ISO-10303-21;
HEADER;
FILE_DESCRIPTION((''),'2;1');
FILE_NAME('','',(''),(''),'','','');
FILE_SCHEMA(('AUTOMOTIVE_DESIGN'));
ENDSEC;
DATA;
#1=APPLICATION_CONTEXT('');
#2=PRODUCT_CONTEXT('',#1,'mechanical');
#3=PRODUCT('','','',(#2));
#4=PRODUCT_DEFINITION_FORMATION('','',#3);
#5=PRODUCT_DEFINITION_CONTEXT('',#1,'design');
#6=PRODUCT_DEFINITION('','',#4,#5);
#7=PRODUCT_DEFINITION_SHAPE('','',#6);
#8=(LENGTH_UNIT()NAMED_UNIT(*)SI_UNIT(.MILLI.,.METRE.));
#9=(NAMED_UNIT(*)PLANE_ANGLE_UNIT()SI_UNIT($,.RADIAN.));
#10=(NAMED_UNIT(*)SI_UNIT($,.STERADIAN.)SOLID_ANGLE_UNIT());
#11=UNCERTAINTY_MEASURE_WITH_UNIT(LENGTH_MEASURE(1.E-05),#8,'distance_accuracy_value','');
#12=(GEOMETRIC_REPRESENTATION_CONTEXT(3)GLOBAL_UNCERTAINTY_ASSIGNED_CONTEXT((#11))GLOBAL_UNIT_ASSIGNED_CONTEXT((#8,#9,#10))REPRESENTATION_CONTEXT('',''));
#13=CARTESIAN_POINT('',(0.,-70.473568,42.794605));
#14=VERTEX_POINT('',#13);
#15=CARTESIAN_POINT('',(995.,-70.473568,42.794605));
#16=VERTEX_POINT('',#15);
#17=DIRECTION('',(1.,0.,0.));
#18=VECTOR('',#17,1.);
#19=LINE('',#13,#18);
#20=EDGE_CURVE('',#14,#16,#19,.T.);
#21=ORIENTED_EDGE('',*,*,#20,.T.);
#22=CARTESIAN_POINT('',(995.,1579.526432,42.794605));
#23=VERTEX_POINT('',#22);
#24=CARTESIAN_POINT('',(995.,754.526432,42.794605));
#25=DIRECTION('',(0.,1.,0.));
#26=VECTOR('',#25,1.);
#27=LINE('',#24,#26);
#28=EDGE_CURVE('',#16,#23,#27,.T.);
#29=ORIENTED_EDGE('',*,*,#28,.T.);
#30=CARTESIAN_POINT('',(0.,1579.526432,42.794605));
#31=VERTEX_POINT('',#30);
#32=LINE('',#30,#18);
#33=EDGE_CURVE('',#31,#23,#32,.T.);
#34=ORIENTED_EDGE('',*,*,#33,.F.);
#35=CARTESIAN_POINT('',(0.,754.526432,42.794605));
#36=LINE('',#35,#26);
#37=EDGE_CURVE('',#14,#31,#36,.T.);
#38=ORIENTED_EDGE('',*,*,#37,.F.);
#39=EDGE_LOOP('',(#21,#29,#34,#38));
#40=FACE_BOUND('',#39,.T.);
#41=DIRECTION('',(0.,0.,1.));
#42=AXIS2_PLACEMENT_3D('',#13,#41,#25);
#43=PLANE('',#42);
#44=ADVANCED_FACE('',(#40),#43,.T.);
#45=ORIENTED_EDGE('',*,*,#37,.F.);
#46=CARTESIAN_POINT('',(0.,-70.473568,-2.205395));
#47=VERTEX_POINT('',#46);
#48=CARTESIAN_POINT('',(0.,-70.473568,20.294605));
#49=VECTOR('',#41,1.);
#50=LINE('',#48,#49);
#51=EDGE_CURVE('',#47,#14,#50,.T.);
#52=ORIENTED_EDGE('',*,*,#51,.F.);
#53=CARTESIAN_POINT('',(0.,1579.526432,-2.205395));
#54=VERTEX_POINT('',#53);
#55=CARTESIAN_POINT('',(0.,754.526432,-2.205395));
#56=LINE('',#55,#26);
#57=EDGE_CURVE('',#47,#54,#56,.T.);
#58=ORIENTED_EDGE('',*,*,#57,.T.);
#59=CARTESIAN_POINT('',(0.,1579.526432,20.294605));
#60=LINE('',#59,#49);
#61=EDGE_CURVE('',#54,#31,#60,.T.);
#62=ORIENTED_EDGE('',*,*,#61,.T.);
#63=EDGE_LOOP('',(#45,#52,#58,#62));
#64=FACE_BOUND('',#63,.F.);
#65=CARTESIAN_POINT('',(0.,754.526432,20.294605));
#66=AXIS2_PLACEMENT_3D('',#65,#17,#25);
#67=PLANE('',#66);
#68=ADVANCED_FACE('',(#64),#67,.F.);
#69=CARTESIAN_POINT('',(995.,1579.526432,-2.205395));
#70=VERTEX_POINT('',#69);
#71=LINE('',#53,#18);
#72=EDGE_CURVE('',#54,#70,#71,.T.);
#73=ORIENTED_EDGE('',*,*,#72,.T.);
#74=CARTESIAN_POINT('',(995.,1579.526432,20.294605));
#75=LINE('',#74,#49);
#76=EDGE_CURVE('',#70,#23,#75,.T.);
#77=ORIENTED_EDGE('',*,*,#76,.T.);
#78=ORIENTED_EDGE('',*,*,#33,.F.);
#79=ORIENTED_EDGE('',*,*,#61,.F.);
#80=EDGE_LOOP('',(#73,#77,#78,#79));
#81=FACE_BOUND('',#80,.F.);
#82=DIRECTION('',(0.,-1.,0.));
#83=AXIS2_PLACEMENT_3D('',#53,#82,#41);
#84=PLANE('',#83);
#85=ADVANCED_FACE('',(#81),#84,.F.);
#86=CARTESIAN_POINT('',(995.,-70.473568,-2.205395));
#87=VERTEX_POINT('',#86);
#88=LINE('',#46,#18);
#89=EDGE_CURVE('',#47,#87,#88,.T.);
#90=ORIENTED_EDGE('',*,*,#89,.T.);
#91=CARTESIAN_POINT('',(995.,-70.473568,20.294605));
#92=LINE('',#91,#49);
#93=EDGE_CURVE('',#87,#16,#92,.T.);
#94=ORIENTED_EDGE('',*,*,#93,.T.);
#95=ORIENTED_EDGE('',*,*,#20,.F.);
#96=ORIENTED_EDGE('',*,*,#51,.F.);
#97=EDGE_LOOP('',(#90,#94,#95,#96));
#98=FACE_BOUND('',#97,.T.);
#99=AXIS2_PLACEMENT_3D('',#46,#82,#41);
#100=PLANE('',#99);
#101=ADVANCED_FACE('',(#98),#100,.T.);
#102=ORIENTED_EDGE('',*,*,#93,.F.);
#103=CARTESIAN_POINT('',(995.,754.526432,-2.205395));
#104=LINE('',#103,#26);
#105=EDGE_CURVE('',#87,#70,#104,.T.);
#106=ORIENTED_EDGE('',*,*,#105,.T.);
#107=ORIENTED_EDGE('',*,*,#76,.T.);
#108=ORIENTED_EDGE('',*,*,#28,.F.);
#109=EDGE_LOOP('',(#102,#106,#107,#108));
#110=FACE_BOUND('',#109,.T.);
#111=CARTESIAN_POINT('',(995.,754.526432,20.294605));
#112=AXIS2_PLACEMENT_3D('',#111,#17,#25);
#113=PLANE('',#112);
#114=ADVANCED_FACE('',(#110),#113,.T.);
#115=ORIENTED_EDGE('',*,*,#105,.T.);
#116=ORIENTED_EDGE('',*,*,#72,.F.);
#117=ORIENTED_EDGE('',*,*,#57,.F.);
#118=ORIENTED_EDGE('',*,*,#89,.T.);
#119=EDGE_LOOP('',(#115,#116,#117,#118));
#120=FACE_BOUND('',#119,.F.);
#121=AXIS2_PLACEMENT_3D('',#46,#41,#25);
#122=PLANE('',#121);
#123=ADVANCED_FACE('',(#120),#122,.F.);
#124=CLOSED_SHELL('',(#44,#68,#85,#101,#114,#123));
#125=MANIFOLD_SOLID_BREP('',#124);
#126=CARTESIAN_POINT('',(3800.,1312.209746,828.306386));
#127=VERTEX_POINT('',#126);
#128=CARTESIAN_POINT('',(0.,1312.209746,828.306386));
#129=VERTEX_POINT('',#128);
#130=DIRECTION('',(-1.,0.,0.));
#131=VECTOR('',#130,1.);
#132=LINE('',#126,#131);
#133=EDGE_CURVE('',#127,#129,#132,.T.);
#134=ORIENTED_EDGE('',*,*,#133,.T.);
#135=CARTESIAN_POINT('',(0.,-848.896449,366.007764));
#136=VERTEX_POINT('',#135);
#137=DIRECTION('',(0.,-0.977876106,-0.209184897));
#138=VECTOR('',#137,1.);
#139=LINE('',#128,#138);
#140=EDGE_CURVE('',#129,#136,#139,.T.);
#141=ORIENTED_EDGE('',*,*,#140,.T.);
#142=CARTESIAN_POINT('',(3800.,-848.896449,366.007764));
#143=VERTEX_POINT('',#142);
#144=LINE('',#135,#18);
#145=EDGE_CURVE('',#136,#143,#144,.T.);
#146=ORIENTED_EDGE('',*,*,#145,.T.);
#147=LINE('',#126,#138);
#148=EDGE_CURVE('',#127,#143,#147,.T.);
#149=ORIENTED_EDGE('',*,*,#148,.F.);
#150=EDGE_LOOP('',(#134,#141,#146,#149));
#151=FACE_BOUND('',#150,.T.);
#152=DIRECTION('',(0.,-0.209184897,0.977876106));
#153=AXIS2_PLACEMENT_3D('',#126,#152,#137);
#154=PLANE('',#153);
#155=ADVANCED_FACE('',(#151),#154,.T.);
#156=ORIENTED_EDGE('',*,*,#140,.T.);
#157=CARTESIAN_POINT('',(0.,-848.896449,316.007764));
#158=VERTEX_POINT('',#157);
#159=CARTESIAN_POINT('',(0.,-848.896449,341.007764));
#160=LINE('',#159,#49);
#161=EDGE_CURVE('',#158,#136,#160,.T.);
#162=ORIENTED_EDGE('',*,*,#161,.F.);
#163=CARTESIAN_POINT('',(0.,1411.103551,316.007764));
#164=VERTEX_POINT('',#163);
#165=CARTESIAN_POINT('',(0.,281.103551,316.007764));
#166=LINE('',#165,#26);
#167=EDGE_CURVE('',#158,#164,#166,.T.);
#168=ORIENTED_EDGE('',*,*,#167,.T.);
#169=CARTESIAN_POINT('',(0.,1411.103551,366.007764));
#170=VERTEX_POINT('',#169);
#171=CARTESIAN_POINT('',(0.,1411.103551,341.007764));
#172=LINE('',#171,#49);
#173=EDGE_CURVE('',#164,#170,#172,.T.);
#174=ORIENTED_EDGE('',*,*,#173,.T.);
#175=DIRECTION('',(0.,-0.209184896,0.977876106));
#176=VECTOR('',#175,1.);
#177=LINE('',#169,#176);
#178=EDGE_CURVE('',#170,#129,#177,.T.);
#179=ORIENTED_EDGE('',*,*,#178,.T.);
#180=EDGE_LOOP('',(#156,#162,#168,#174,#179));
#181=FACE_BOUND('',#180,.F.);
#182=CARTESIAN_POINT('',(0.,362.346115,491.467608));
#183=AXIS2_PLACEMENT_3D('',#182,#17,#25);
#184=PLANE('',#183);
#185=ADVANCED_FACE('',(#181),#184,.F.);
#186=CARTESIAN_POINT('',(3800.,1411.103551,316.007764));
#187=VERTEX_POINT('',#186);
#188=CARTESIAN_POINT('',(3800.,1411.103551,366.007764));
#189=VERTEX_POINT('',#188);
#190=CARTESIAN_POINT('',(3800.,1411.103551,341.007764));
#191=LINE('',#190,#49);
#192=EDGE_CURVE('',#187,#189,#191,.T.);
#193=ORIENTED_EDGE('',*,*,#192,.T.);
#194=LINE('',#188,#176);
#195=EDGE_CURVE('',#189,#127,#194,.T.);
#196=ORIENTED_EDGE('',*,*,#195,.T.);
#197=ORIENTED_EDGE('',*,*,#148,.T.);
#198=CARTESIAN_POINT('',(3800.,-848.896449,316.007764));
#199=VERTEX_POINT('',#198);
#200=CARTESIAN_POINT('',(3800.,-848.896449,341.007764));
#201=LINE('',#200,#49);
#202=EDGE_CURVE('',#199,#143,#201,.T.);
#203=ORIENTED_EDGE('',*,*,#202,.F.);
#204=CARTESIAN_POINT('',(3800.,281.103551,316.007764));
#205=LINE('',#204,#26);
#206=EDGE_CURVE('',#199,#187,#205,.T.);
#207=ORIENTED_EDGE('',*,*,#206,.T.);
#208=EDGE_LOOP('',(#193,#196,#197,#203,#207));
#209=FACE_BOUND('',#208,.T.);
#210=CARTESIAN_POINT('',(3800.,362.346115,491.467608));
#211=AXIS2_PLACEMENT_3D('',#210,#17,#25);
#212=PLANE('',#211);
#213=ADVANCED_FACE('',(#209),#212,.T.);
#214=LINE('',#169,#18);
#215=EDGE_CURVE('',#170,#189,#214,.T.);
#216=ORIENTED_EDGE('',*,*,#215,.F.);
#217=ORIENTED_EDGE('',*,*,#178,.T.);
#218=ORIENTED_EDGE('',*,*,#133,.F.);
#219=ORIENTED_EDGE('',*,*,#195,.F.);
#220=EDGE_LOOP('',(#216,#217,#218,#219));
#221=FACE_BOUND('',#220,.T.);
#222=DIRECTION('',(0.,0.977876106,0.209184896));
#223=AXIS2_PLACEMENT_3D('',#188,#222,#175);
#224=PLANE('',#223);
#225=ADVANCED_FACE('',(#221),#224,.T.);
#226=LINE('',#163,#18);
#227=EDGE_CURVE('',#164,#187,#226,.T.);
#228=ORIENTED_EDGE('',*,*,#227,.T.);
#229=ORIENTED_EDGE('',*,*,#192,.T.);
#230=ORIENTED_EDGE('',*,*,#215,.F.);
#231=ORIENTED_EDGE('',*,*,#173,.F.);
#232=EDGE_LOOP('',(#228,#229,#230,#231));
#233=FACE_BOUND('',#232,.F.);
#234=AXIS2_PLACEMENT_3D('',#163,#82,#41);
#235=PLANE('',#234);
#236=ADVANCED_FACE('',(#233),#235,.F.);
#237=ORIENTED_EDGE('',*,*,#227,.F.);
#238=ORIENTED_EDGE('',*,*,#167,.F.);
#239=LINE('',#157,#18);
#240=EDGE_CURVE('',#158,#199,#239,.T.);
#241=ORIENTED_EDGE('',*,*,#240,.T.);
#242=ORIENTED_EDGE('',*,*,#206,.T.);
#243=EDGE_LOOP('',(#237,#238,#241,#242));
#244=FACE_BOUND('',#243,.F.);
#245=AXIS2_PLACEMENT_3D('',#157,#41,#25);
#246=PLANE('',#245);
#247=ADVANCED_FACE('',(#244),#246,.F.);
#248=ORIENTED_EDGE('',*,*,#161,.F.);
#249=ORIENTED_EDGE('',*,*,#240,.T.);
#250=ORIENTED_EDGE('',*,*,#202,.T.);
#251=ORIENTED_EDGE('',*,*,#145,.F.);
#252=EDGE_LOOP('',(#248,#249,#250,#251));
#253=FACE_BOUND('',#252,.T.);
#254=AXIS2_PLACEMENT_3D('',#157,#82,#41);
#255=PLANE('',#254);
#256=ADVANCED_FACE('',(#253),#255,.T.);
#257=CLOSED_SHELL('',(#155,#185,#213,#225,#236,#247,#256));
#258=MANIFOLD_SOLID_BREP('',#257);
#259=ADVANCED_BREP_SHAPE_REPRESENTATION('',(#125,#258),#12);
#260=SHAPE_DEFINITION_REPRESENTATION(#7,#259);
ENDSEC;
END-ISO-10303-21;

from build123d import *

# Parameters (mm, degrees)
F0_W     = 1650
F0_H     = 45
F1_DEPTH = 995
F2_W     = 2260
F2_H     = 50
F3_DEPTH = 3800
F5_DEPTH = 3800


with BuildPart() as f1:
    # F0 (on Right) → F1 (new body)
    with BuildSketch(Plane.YZ):
        with Locations((754.526432, 20.294605)):
            Rectangle(F0_W, F0_H)
    extrude(amount=F1_DEPTH)


with BuildPart() as f3:
    # F2 (on Right) → F3 (new body)
    with BuildSketch(Plane.YZ):
        with Locations((281.103551, 341.007764)):
            Rectangle(F2_W, F2_H)
    extrude(amount=F3_DEPTH)

    # F4 (on face) → F5 (join)
    with BuildSketch(Plane.YZ.offset(3800)):
        Polygon((1312.209746, 828.306386), (-848.896449, 366.007764), (1411.103551, 366.007764), align=None)
    extrude(amount=-F5_DEPTH)


solid = Compound([f1.part, f3.part])
